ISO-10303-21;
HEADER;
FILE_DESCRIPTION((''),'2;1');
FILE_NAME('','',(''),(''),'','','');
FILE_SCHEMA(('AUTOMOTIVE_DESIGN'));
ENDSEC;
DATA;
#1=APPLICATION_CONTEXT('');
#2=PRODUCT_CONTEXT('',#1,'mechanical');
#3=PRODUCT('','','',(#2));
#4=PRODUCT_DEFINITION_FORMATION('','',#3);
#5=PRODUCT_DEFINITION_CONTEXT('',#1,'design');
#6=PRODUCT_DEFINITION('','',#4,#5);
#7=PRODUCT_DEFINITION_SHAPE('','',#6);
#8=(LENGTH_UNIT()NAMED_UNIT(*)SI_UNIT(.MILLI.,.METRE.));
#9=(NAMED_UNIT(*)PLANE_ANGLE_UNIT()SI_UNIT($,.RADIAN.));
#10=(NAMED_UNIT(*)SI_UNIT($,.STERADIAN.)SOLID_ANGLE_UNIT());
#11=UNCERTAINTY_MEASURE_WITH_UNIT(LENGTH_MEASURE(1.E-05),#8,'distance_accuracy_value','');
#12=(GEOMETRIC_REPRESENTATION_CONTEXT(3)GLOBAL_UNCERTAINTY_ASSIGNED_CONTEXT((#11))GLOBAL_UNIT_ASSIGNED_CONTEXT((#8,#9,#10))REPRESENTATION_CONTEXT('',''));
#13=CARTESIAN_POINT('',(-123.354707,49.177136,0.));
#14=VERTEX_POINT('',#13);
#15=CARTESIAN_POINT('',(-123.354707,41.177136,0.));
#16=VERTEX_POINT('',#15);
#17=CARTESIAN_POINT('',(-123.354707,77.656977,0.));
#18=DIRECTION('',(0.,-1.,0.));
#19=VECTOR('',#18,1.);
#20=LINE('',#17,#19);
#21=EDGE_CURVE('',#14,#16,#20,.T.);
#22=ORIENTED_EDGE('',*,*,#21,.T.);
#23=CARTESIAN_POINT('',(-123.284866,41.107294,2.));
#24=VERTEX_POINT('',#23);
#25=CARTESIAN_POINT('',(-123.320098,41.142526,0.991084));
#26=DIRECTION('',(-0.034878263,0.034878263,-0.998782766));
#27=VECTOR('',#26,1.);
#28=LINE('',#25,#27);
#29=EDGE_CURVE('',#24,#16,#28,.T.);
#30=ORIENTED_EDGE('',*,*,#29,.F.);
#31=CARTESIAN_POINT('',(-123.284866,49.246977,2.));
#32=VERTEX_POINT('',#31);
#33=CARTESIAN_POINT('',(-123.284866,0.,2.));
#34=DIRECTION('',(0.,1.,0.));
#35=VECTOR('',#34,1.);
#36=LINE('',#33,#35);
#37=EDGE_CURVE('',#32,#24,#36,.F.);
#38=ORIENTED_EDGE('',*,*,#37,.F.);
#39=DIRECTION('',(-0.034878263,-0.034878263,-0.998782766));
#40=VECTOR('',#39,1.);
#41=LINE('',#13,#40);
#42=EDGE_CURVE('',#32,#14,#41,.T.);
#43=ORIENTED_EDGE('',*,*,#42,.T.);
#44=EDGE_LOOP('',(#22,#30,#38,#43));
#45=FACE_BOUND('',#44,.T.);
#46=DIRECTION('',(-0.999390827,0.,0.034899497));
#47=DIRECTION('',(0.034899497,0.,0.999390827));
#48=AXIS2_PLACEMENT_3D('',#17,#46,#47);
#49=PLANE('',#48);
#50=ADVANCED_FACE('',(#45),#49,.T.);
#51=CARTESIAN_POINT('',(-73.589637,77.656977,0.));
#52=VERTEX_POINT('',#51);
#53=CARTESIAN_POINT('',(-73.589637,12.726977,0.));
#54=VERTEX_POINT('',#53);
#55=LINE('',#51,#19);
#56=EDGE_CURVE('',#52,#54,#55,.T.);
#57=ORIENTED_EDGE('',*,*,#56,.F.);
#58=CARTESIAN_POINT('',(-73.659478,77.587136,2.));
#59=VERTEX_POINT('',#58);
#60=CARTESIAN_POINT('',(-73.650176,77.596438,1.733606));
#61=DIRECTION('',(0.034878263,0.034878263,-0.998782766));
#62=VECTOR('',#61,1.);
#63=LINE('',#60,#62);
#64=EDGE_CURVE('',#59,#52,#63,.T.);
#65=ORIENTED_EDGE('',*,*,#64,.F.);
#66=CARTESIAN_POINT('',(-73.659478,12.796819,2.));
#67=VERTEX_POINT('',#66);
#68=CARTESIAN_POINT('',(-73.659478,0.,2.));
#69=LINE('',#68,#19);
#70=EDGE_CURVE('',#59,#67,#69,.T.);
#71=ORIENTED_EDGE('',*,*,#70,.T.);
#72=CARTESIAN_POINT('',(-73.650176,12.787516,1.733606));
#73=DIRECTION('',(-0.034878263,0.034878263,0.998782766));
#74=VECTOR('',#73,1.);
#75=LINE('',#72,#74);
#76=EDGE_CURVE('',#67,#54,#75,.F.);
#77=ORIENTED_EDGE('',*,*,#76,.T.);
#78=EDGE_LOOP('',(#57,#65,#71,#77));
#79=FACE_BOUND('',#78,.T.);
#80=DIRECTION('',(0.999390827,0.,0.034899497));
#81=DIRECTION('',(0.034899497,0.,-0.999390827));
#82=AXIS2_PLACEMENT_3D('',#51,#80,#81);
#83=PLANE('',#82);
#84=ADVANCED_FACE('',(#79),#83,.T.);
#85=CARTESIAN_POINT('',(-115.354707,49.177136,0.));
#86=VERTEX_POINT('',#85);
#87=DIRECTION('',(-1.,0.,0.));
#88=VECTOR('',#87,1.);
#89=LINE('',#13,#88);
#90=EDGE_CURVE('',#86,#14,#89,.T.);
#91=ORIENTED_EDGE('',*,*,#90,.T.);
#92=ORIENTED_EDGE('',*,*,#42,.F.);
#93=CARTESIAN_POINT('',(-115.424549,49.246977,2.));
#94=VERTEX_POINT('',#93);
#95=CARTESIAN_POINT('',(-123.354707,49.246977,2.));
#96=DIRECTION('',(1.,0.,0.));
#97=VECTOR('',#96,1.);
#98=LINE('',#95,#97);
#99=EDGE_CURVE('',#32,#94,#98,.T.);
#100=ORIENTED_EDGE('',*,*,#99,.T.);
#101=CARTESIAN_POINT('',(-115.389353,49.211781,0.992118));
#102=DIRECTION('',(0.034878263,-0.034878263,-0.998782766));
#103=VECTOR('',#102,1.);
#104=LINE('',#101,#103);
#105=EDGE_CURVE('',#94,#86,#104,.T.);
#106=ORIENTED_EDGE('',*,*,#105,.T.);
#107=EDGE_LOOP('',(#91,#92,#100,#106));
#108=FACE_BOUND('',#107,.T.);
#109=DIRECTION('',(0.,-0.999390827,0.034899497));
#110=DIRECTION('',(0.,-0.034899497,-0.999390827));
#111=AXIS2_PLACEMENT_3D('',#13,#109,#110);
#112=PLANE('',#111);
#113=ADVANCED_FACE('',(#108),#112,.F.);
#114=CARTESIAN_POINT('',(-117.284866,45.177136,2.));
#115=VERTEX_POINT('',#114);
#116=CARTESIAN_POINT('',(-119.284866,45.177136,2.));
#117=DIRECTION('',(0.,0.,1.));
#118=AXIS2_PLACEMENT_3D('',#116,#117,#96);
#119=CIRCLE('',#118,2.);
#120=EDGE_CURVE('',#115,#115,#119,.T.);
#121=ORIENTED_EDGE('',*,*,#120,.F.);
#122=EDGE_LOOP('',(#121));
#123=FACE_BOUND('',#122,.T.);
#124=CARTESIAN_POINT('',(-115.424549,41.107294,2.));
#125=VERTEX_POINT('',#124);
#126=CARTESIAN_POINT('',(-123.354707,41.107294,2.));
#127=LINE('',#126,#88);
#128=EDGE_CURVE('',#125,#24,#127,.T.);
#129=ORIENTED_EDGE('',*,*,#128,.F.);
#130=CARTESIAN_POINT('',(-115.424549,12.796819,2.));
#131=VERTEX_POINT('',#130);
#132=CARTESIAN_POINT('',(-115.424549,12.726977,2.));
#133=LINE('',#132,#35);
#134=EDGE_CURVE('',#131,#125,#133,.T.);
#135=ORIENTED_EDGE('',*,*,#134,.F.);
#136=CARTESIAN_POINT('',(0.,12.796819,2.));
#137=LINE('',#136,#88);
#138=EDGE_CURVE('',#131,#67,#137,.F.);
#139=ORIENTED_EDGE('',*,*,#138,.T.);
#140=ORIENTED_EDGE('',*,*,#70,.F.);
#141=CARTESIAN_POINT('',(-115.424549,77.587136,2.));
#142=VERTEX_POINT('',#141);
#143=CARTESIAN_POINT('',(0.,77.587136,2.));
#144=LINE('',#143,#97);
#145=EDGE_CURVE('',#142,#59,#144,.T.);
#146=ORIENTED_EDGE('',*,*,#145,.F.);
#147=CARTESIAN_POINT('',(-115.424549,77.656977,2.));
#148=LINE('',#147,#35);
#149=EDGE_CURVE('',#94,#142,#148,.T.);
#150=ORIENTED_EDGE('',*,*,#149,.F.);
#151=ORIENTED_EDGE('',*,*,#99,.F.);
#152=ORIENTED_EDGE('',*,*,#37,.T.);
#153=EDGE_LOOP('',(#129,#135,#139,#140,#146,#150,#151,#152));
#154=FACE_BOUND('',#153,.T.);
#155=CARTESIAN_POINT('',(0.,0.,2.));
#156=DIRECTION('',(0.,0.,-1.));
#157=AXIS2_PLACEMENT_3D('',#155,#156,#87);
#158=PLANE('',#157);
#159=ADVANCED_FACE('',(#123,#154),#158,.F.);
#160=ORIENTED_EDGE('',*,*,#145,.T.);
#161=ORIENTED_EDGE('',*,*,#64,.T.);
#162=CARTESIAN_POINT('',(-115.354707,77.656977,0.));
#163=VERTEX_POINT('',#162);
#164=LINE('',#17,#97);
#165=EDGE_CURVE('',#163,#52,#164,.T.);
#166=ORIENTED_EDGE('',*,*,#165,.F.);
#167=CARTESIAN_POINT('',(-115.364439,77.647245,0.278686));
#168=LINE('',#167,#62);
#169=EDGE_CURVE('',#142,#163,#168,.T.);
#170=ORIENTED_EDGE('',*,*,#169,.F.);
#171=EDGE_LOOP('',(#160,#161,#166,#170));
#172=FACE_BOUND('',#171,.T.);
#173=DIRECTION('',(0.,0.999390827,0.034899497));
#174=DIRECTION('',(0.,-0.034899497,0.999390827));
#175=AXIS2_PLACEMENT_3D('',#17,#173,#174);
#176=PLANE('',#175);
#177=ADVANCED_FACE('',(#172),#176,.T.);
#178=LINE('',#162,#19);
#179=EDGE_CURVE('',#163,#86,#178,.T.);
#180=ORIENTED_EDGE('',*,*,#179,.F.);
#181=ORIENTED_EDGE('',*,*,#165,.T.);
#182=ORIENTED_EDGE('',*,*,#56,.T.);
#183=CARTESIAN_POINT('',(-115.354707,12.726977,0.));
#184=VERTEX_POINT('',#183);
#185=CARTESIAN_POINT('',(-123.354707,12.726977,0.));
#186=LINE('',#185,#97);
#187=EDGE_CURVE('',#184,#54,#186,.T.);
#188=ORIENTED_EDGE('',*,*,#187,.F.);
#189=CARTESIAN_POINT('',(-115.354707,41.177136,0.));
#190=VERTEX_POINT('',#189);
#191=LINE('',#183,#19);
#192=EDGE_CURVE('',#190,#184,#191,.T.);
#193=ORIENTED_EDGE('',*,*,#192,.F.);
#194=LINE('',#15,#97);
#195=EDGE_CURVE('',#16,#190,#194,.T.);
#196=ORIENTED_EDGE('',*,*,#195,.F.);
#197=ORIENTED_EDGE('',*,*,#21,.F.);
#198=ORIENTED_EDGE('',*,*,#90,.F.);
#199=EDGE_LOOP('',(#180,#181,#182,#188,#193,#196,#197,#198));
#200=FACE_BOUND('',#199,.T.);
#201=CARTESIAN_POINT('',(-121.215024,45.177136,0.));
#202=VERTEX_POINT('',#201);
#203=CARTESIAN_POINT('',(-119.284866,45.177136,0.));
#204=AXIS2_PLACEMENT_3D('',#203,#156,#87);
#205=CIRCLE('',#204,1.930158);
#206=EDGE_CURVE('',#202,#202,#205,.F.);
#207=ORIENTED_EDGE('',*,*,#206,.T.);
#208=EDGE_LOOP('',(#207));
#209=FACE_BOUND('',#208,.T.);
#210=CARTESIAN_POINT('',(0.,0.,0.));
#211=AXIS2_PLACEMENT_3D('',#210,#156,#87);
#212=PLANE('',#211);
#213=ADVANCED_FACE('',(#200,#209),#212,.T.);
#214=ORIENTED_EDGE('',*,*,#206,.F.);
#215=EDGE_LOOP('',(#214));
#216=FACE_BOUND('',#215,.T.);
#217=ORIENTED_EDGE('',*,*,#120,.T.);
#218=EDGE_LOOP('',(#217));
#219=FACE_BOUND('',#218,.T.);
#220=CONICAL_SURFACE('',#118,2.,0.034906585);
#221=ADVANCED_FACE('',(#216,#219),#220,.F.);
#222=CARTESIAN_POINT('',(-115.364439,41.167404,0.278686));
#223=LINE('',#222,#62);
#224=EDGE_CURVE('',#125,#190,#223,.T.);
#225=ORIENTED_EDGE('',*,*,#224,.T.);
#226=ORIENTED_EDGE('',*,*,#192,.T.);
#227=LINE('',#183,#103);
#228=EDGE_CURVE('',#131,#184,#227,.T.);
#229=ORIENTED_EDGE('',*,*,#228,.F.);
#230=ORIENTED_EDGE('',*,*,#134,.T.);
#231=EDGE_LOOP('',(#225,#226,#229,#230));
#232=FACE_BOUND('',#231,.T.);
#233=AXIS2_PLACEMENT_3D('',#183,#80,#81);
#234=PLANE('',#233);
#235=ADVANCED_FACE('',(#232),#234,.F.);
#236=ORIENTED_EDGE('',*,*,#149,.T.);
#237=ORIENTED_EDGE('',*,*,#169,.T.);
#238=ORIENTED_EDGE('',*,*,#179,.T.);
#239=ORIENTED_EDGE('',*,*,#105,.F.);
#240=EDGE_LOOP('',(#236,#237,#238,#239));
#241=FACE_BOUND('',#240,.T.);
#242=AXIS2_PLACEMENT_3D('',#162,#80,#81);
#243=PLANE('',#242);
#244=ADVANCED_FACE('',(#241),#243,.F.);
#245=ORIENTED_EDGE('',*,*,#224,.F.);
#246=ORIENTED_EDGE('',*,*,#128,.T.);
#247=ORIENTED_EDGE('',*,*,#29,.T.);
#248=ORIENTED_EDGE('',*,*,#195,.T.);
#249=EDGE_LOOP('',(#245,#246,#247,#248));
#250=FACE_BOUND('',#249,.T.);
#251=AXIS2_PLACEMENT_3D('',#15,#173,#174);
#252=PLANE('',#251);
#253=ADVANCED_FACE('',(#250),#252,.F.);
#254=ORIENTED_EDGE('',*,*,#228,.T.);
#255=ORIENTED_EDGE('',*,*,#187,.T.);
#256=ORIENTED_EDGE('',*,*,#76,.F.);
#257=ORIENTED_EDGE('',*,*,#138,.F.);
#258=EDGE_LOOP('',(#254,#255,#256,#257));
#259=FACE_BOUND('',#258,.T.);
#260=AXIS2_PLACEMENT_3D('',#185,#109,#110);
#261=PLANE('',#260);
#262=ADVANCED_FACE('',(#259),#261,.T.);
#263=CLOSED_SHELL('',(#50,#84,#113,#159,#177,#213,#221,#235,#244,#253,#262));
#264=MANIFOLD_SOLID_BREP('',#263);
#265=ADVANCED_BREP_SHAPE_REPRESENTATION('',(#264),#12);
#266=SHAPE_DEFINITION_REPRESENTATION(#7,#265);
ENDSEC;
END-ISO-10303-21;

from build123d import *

# Parameters (mm, degrees)
SKETCH1_W                    = 49.765070753
SKETCH1_H                    = 64.93
BOSS_EXTRUDE1_DEPTH          = 2
BOSS_EXTRUDE1_TAPER          = 2
SKETCH3_R                    = 2
CUT_EXTRUDE2_DEPTH           = 2
CUT_EXTRUDE2_DRAFT           = -2
SKETCH4_W                    = 8
SKETCH4_H                    = 28.479841539
CUT_EXTRUDE3_DEPTH           = 2
CUT_EXTRUDE3_DRAFT           = -2
SKETCH4_H_2                  = 28.450158461
CUT_EXTRUDE3_PROFILE_2_DEPTH = 2
CUT_EXTRUDE3_PROFILE_2_DRAFT = -2


with BuildPart() as part:
    # Sketch1 → Boss-Extrude1 (new body)
    with BuildSketch(Plane.XY):
        with Locations((-98.472172046, 45.191977318)):
            Rectangle(SKETCH1_W, SKETCH1_H)
    extrude(amount=BOSS_EXTRUDE1_DEPTH, taper=BOSS_EXTRUDE1_TAPER)


with BuildPart() as cut_extrude2_tool:
    # Sketch3 → Cut-Extrude2 (with draft: the straight prism first)
    with BuildSketch(Plane.XY.offset(2)):
        with Locations((-119.284865883, 45.177135779)):
            Circle(SKETCH3_R)
    extrude(amount=-CUT_EXTRUDE2_DEPTH)
    # Cut-Extrude2: the draft: its side faces are tilted about the plane it starts from
    cut_extrude2_sides = [cut_extrude2_tool.faces().sort_by_distance(p)[0] for p in [
        (-121.284865883, 45.177135779, 1),
    ]]
    draft(cut_extrude2_sides, Plane.XY.offset(2), CUT_EXTRUDE2_DRAFT)


with BuildPart() as part_1:
    add(part.part)

    # Cut-Extrude2: cut by cut_extrude2_tool
    add(cut_extrude2_tool.part, mode=Mode.SUBTRACT)


with BuildPart() as cut_extrude3_tool:
    # Sketch4 → Cut-Extrude3 (with draft: the straight prism first)
    with BuildSketch(Plane(origin=(0, 0, 0), x_dir=(-1, 0, 0), z_dir=(0, 0, -1))):
        with Locations((119.354707422, 63.417056548)):
            Rectangle(SKETCH4_W, SKETCH4_H)
    extrude(amount=-CUT_EXTRUDE3_DEPTH)
    # Cut-Extrude3: the draft: its side faces are tilted about the plane it starts from
    cut_extrude3_sides = [cut_extrude3_tool.faces().sort_by_distance(p)[0] for p in [
        (-119.354707422, 77.656977318, 1),
        (-115.354707422, 63.417056548, 1),
        (-119.354707422, 49.177135779, 1),
        (-123.354707422, 63.417056548, 1),
    ]]
    draft(cut_extrude3_sides, Plane(origin=(0, 0, 0), x_dir=(-1, 0, 0), z_dir=(0, 0, -1)), CUT_EXTRUDE3_DRAFT)


with BuildPart() as part_2:
    add(part_1.part)

    # Cut-Extrude3: cut by cut_extrude3_tool
    add(cut_extrude3_tool.part, mode=Mode.SUBTRACT)


with BuildPart() as cut_extrude3_profile_2_tool:
    # Sketch4 → Cut-Extrude3 profile 2 (with draft: the straight prism first)
    with BuildSketch(Plane(origin=(0, 0, 0), x_dir=(-1, 0, 0), z_dir=(0, 0, -1))):
        with Locations((119.354707422, 26.952056549)):
            Rectangle(SKETCH4_W, SKETCH4_H_2)
    extrude(amount=-CUT_EXTRUDE3_PROFILE_2_DEPTH)
    # Cut-Extrude3 profile 2: the draft: its side faces are tilted about the plane it starts from
    cut_extrude3_profile_2_sides = [cut_extrude3_profile_2_tool.faces().sort_by_distance(p)[0] for p in [
        (-123.354707422, 26.952056548, 1),
        (-119.354707422, 41.177135779, 1),
        (-115.354707422, 26.952056548, 1),
        (-119.354707422, 12.726977318, 1),
    ]]
    draft(cut_extrude3_profile_2_sides, Plane(origin=(0, 0, 0), x_dir=(-1, 0, 0), z_dir=(0, 0, -1)), CUT_EXTRUDE3_PROFILE_2_DRAFT)


with BuildPart() as part_3:
    add(part_2.part)

    # Cut-Extrude3 profile 2: cut by cut_extrude3_profile_2_tool
    add(cut_extrude3_profile_2_tool.part, mode=Mode.SUBTRACT)


solid = part_3.part
